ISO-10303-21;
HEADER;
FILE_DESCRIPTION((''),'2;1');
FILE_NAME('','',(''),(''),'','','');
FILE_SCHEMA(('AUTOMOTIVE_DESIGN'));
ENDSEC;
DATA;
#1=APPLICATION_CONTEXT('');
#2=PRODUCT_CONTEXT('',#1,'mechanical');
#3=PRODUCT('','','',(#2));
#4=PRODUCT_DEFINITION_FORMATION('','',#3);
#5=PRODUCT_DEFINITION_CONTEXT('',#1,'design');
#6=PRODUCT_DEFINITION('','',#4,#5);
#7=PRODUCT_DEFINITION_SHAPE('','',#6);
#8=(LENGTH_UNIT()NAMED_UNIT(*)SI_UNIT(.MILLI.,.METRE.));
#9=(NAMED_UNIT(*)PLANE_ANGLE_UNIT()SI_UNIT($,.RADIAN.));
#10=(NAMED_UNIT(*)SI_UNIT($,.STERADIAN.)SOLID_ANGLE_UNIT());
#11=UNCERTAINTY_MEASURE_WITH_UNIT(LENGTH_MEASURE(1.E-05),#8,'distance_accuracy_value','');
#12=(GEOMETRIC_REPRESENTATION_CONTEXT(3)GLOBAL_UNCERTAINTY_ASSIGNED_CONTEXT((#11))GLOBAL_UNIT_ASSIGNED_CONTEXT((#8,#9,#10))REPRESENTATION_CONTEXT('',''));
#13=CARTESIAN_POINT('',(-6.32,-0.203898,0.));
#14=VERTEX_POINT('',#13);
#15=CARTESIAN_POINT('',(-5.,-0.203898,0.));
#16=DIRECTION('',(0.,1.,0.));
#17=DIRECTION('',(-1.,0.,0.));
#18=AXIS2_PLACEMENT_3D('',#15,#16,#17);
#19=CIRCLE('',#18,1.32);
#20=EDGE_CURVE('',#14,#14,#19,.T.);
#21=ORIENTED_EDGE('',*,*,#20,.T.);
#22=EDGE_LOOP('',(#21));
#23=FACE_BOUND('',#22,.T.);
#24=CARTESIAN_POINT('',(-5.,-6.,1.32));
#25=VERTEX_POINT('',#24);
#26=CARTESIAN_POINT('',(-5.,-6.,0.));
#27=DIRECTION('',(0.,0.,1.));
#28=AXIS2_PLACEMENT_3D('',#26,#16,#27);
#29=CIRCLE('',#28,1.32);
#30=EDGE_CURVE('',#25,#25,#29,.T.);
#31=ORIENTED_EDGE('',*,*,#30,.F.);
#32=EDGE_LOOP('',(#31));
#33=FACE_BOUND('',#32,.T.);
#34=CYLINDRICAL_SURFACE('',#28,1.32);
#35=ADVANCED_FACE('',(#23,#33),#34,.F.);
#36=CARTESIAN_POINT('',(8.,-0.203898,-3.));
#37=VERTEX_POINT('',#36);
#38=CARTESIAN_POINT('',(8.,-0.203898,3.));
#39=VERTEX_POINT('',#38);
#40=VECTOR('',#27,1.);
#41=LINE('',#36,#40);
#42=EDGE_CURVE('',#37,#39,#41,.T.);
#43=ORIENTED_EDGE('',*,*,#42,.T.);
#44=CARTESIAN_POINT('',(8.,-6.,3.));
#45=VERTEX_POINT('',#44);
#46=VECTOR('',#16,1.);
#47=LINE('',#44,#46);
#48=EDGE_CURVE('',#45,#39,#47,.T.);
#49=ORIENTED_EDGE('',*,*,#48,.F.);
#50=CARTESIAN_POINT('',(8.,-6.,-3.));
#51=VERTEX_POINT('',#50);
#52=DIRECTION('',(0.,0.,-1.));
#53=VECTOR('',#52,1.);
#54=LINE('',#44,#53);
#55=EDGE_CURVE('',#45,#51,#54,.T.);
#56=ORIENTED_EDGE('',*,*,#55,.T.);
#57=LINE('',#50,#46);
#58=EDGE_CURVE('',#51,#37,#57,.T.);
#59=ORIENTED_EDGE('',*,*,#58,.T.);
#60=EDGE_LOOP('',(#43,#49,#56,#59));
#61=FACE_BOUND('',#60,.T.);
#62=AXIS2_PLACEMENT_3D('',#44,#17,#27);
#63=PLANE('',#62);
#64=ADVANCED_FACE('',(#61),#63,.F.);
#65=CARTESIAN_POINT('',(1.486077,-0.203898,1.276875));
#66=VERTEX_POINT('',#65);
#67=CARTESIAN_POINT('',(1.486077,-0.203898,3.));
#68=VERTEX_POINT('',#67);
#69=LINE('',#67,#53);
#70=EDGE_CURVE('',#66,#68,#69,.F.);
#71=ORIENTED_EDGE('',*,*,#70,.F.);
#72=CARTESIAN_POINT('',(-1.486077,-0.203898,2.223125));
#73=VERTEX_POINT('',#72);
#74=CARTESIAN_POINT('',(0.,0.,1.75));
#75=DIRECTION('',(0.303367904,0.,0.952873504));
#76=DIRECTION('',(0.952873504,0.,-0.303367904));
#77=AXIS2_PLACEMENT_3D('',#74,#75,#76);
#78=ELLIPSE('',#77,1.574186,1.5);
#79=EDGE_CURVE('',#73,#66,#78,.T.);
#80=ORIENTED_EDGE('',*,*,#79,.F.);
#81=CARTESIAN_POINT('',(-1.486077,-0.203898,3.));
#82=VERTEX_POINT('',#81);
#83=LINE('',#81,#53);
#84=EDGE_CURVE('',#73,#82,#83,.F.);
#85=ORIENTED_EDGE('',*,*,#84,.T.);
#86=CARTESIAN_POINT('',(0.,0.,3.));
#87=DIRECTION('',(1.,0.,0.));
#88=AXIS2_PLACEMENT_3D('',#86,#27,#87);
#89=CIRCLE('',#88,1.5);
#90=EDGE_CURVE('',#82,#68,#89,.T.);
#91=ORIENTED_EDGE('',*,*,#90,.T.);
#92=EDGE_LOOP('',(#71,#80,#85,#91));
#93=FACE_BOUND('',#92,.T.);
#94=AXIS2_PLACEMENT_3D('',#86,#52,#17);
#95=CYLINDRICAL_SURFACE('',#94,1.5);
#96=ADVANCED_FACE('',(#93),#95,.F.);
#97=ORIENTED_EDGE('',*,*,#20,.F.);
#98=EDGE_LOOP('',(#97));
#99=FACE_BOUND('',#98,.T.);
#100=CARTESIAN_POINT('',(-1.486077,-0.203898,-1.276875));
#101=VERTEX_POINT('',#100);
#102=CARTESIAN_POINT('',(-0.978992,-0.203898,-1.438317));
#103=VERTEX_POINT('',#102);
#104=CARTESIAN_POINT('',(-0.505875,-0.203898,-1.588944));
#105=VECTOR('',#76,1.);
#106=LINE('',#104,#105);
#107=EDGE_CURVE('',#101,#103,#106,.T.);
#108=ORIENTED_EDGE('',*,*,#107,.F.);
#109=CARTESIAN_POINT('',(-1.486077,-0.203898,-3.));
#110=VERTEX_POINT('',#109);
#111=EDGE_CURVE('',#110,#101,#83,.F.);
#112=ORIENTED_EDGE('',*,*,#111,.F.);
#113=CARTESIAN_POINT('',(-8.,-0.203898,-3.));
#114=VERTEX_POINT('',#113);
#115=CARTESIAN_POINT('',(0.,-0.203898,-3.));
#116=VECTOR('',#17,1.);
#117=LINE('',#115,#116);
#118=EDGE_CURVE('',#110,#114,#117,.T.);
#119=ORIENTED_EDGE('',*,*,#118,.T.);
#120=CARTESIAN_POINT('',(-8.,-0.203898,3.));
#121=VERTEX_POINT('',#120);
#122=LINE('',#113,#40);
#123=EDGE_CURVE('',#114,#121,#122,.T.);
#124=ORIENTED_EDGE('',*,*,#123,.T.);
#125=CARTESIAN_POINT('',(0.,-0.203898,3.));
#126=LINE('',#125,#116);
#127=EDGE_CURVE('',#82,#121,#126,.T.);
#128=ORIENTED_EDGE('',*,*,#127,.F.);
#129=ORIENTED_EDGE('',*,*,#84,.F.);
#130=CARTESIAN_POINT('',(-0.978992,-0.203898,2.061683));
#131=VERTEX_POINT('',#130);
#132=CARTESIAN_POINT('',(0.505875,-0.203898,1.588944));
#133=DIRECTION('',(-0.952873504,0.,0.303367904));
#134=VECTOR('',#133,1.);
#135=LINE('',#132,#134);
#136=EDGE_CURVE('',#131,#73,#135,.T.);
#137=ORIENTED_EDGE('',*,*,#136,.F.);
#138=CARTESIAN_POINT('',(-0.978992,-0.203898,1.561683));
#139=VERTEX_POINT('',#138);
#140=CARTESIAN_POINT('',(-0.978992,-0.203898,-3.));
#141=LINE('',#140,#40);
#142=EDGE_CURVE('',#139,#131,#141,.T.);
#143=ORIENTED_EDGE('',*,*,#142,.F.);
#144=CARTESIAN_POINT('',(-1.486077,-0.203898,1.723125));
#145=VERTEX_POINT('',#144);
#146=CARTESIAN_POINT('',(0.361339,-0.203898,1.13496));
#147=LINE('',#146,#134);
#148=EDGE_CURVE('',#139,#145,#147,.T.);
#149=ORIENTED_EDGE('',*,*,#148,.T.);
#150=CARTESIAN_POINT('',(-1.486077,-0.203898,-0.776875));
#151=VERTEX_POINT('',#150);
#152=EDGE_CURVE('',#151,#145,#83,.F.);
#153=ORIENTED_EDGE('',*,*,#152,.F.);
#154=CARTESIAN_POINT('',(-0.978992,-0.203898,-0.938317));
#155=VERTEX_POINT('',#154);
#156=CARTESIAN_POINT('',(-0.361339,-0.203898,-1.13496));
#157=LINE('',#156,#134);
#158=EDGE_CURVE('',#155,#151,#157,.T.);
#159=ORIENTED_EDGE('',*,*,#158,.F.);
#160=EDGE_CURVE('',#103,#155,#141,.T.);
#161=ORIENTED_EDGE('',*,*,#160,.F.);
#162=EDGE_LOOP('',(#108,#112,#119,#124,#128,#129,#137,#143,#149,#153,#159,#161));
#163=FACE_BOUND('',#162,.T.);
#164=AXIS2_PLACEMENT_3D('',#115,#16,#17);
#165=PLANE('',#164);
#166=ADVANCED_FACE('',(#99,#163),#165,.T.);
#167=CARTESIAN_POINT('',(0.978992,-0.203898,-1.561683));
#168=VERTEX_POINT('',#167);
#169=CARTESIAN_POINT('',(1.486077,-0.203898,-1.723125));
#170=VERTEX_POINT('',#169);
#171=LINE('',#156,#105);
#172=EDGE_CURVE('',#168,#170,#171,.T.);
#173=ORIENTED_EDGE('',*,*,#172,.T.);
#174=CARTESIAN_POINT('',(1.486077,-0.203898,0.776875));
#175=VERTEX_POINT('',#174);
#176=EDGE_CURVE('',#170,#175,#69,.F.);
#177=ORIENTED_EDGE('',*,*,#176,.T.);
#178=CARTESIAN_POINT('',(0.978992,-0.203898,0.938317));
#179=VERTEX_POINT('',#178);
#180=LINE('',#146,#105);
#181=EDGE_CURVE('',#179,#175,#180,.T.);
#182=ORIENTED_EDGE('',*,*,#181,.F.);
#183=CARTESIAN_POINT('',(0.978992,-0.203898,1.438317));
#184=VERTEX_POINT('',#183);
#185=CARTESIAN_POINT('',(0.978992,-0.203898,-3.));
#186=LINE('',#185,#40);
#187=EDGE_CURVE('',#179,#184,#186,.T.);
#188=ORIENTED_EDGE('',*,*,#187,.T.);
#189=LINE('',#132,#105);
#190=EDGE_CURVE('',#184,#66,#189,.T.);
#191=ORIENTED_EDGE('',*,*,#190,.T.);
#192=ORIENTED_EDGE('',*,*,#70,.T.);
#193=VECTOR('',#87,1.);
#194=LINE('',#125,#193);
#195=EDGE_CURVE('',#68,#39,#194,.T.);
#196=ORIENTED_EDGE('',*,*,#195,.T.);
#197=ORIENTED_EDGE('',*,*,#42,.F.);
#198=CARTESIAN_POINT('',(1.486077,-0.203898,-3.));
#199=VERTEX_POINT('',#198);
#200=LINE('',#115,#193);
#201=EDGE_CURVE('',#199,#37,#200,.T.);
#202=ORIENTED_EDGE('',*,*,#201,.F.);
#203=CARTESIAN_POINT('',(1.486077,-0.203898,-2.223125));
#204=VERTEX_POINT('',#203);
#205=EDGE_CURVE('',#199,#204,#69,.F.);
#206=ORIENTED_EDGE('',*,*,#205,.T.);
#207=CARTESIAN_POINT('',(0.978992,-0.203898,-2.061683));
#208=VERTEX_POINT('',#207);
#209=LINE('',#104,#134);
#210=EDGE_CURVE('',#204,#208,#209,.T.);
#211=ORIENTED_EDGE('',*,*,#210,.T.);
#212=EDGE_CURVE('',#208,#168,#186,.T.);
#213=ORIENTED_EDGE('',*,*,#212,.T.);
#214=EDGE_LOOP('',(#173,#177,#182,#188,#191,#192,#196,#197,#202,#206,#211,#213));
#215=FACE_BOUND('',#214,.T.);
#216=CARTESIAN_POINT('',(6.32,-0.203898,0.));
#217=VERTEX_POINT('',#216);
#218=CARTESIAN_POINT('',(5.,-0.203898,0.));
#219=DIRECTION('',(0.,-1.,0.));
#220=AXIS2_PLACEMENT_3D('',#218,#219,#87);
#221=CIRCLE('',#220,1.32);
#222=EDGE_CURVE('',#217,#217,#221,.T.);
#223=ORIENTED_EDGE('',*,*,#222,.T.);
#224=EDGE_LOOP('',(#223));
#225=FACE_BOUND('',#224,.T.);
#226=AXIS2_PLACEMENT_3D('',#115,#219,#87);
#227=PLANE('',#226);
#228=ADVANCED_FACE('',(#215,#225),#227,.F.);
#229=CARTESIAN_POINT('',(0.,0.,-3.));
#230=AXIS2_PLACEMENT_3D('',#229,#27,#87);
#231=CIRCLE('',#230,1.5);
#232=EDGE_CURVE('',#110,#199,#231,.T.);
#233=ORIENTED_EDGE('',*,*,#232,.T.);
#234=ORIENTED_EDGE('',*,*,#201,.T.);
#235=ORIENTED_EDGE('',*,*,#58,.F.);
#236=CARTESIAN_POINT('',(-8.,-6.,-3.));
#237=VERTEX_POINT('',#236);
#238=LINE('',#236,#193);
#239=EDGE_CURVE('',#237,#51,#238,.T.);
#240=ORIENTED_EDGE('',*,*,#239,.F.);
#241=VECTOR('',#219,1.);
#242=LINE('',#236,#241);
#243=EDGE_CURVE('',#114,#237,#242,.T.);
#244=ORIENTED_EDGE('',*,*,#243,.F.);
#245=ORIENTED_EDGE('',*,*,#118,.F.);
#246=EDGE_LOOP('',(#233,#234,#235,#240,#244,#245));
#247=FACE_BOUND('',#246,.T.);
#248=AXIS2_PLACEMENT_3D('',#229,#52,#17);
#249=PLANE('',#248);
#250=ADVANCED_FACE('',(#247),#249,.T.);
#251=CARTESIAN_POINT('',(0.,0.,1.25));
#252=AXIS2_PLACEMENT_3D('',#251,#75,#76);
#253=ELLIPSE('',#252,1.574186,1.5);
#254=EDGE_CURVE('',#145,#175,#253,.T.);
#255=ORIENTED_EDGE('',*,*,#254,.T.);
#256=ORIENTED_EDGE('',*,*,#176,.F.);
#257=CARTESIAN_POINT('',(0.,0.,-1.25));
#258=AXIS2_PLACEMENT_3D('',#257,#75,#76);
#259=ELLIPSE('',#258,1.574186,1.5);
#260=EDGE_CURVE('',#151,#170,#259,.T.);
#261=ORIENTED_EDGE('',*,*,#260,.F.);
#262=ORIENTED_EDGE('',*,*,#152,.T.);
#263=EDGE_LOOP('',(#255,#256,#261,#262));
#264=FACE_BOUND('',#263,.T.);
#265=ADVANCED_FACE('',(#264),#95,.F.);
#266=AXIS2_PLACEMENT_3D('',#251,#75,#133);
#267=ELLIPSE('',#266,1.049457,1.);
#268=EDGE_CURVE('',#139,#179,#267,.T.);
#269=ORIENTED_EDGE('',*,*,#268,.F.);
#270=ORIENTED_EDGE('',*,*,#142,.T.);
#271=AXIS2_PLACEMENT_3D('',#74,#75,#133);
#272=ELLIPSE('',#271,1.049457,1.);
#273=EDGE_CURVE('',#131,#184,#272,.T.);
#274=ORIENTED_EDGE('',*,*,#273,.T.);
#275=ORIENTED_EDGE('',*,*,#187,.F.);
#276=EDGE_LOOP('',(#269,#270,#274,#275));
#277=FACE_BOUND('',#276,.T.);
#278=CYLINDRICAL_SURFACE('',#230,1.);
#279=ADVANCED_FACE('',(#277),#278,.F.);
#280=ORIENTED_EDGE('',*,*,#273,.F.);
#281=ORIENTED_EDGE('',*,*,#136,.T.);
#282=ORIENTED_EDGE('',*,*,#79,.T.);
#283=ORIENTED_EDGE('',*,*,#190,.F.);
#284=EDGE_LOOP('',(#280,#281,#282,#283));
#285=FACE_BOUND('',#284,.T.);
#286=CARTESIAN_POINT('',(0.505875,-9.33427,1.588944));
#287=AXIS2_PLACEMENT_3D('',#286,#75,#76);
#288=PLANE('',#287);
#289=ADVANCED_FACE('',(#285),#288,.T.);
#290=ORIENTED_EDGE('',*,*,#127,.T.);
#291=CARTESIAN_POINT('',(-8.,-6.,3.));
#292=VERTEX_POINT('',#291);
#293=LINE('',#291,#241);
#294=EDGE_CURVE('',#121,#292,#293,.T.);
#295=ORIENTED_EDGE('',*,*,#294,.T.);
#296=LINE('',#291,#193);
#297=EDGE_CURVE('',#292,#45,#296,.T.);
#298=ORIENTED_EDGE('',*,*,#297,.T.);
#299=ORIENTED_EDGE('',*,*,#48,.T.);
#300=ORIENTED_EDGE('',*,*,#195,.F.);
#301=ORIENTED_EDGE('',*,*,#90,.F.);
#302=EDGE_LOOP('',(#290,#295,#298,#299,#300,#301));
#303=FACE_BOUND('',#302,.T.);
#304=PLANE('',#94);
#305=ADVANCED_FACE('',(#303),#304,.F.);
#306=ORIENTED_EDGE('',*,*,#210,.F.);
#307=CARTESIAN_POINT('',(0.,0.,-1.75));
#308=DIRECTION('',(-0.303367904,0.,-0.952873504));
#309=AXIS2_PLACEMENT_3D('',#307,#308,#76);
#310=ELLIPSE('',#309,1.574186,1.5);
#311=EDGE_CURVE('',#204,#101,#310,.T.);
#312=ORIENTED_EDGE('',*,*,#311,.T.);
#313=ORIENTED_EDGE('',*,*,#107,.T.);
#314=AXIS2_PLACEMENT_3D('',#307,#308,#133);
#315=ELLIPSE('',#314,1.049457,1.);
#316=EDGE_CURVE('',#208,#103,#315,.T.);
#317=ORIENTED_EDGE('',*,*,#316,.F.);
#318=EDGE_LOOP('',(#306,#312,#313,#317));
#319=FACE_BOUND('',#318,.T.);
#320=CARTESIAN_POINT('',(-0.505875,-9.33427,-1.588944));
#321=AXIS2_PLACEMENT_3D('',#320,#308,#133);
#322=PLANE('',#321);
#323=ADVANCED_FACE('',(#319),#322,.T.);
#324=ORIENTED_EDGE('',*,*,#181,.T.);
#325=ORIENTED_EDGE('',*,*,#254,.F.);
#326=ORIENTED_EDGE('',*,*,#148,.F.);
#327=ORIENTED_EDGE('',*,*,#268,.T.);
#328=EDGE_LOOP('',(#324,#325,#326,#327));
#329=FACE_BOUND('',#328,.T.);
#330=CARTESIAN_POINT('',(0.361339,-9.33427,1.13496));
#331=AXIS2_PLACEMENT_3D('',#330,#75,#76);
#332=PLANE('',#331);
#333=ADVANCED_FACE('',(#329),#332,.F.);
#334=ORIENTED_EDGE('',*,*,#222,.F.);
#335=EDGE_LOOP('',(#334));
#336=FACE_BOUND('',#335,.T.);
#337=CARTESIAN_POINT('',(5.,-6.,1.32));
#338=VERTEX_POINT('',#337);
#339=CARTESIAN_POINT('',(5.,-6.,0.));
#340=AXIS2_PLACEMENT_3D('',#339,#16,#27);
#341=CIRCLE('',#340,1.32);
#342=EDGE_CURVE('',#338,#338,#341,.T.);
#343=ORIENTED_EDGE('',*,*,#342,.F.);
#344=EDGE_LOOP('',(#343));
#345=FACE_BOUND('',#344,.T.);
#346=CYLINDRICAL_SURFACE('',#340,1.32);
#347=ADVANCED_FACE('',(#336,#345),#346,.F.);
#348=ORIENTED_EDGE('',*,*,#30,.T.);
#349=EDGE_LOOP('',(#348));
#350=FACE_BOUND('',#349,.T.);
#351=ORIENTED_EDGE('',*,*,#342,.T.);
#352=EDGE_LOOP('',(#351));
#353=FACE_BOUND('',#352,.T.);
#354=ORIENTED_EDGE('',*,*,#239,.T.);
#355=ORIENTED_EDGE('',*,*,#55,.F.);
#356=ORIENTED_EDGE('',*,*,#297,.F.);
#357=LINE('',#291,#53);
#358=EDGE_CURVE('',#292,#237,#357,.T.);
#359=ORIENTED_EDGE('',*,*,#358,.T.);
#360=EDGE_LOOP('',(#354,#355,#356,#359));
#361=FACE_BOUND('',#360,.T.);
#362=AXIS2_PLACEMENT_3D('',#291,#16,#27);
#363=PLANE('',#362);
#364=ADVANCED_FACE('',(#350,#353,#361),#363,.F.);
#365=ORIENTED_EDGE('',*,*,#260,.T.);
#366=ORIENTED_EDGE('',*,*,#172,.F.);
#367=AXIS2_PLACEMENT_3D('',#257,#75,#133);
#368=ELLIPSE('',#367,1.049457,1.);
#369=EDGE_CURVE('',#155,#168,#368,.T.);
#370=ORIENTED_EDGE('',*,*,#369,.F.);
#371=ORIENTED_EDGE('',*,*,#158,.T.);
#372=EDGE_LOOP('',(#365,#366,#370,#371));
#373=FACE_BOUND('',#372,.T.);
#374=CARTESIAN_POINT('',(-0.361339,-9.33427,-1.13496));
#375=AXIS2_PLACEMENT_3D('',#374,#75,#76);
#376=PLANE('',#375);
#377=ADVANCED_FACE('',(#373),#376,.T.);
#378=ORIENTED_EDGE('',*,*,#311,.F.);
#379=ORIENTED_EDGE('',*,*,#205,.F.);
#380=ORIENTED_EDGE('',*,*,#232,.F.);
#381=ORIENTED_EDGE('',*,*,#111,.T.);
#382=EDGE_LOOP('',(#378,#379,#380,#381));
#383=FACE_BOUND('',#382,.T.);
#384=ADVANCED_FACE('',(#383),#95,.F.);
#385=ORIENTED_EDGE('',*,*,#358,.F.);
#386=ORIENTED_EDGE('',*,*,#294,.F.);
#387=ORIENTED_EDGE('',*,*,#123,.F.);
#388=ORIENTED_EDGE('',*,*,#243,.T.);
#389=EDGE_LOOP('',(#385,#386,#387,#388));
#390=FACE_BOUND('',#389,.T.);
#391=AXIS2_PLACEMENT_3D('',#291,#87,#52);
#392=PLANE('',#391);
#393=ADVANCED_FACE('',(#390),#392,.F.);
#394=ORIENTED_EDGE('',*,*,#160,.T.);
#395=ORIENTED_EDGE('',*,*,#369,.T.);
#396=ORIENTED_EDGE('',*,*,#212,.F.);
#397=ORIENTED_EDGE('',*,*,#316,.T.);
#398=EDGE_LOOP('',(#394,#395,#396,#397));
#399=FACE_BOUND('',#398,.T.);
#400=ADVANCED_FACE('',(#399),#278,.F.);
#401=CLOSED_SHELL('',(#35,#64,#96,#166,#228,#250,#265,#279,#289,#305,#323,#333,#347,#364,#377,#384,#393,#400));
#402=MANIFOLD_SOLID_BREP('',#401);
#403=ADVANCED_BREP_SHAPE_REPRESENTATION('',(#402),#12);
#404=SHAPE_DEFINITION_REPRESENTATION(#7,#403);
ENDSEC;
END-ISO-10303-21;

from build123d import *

# Parameters (mm, degrees)
SKETCH_1_W               = 16
SKETCH_1_H               = 12
SKETCH_1_R               = 1.5
EXTRUDE_1_DEPTH          = 3
EXTRUDE_2_DEPTH          = 6
CUT_EXTRUDE_2_DEPTH      = 11.440306509
CUT_EXTRUDE_2_DEPTH_BACK = 11.440306509
SKETCH_8_R               = 1.32
CUT_EXTRUDE_3_DEPTH      = 11.440306509


with BuildPart() as part:
    # 草图1 → 凸台-拉伸1 (new, symmetric)
    with BuildSketch(Plane.XY):
        Rectangle(SKETCH_1_W, SKETCH_1_H)
        Circle(SKETCH_1_R, mode=Mode.SUBTRACT)
    extrude(amount=EXTRUDE_1_DEPTH, both=True)

    # 草图6 → 凸台-拉伸2 (add)
    with BuildSketch(Plane(origin=(0, 0, 0), x_dir=(1, 0, 0), z_dir=(0, 1, 0))):
        Polygon((-1.5, -1.727557465), (-1.5, -2.227557465), (1.5, -1.272442535), (1.5, -0.772442535), align=None)
        Polygon((-1.5, 1.272442535), (-1.5, 0.772442535), (1.5, 1.727557465), (1.5, 2.227557465), align=None)
    extrude(amount=-EXTRUDE_2_DEPTH)

    # 草图7 → 切除-拉伸2 (cut, two sides: drawn at the far end of the back side and taken through both)
    with BuildSketch(Plane.XY.offset(-CUT_EXTRUDE_2_DEPTH_BACK)):
        with BuildLine():
            Line((-8, -0.203898058), (-0.978992126, -0.203898058))
            ThreePointArc((-0.978992126, -0.203898058), (-0.102488717, 0.994734167), (1, 0))
            ThreePointArc((1, 0), (0.994734167, -0.102488717), (0.978992126, -0.203898058))
            Line((0.978992126, -0.203898058), (8, -0.203898058))
            Line((8, -0.203898058), (8, 6))
            Line((8, 6), (-8, 6))
            Line((-8, 6), (-8, -0.203898058))
        make_face()
        with BuildLine():
            Line((0.978992126, -0.203898058), (0, 0))
            Line((0, 0), (-0.978992126, -0.203898058))
            ThreePointArc((-0.978992126, -0.203898058), (0, -1), (0.978992126, -0.203898058))
        make_face()
        with BuildLine():
            Line((-0.978992126, -0.203898058), (0, 0))
            Line((0, 0), (0.978992126, -0.203898058))
            ThreePointArc((0.978992126, -0.203898058), (0.994734167, -0.102488717), (1, 0))
            ThreePointArc((1, 0), (-0.102488717, 0.994734167), (-0.978992126, -0.203898058))
        make_face()
    extrude(amount=CUT_EXTRUDE_2_DEPTH + CUT_EXTRUDE_2_DEPTH_BACK, mode=Mode.SUBTRACT)

    # 草图8 → 切除-拉伸3 (cut, through all)
    with BuildSketch(Plane(origin=(0, 0, 0), x_dir=(1, 0, 0), z_dir=(0, 1, 0))):
        with Locations(Location((-5, 0, 0), (0, 0, 270))):
            Circle(SKETCH_8_R)
        with Locations(Location((5, 0, 0), (0, 0, 270))):
            Circle(SKETCH_8_R)
    extrude(amount=-CUT_EXTRUDE_3_DEPTH, mode=Mode.SUBTRACT)


solid = part.part
